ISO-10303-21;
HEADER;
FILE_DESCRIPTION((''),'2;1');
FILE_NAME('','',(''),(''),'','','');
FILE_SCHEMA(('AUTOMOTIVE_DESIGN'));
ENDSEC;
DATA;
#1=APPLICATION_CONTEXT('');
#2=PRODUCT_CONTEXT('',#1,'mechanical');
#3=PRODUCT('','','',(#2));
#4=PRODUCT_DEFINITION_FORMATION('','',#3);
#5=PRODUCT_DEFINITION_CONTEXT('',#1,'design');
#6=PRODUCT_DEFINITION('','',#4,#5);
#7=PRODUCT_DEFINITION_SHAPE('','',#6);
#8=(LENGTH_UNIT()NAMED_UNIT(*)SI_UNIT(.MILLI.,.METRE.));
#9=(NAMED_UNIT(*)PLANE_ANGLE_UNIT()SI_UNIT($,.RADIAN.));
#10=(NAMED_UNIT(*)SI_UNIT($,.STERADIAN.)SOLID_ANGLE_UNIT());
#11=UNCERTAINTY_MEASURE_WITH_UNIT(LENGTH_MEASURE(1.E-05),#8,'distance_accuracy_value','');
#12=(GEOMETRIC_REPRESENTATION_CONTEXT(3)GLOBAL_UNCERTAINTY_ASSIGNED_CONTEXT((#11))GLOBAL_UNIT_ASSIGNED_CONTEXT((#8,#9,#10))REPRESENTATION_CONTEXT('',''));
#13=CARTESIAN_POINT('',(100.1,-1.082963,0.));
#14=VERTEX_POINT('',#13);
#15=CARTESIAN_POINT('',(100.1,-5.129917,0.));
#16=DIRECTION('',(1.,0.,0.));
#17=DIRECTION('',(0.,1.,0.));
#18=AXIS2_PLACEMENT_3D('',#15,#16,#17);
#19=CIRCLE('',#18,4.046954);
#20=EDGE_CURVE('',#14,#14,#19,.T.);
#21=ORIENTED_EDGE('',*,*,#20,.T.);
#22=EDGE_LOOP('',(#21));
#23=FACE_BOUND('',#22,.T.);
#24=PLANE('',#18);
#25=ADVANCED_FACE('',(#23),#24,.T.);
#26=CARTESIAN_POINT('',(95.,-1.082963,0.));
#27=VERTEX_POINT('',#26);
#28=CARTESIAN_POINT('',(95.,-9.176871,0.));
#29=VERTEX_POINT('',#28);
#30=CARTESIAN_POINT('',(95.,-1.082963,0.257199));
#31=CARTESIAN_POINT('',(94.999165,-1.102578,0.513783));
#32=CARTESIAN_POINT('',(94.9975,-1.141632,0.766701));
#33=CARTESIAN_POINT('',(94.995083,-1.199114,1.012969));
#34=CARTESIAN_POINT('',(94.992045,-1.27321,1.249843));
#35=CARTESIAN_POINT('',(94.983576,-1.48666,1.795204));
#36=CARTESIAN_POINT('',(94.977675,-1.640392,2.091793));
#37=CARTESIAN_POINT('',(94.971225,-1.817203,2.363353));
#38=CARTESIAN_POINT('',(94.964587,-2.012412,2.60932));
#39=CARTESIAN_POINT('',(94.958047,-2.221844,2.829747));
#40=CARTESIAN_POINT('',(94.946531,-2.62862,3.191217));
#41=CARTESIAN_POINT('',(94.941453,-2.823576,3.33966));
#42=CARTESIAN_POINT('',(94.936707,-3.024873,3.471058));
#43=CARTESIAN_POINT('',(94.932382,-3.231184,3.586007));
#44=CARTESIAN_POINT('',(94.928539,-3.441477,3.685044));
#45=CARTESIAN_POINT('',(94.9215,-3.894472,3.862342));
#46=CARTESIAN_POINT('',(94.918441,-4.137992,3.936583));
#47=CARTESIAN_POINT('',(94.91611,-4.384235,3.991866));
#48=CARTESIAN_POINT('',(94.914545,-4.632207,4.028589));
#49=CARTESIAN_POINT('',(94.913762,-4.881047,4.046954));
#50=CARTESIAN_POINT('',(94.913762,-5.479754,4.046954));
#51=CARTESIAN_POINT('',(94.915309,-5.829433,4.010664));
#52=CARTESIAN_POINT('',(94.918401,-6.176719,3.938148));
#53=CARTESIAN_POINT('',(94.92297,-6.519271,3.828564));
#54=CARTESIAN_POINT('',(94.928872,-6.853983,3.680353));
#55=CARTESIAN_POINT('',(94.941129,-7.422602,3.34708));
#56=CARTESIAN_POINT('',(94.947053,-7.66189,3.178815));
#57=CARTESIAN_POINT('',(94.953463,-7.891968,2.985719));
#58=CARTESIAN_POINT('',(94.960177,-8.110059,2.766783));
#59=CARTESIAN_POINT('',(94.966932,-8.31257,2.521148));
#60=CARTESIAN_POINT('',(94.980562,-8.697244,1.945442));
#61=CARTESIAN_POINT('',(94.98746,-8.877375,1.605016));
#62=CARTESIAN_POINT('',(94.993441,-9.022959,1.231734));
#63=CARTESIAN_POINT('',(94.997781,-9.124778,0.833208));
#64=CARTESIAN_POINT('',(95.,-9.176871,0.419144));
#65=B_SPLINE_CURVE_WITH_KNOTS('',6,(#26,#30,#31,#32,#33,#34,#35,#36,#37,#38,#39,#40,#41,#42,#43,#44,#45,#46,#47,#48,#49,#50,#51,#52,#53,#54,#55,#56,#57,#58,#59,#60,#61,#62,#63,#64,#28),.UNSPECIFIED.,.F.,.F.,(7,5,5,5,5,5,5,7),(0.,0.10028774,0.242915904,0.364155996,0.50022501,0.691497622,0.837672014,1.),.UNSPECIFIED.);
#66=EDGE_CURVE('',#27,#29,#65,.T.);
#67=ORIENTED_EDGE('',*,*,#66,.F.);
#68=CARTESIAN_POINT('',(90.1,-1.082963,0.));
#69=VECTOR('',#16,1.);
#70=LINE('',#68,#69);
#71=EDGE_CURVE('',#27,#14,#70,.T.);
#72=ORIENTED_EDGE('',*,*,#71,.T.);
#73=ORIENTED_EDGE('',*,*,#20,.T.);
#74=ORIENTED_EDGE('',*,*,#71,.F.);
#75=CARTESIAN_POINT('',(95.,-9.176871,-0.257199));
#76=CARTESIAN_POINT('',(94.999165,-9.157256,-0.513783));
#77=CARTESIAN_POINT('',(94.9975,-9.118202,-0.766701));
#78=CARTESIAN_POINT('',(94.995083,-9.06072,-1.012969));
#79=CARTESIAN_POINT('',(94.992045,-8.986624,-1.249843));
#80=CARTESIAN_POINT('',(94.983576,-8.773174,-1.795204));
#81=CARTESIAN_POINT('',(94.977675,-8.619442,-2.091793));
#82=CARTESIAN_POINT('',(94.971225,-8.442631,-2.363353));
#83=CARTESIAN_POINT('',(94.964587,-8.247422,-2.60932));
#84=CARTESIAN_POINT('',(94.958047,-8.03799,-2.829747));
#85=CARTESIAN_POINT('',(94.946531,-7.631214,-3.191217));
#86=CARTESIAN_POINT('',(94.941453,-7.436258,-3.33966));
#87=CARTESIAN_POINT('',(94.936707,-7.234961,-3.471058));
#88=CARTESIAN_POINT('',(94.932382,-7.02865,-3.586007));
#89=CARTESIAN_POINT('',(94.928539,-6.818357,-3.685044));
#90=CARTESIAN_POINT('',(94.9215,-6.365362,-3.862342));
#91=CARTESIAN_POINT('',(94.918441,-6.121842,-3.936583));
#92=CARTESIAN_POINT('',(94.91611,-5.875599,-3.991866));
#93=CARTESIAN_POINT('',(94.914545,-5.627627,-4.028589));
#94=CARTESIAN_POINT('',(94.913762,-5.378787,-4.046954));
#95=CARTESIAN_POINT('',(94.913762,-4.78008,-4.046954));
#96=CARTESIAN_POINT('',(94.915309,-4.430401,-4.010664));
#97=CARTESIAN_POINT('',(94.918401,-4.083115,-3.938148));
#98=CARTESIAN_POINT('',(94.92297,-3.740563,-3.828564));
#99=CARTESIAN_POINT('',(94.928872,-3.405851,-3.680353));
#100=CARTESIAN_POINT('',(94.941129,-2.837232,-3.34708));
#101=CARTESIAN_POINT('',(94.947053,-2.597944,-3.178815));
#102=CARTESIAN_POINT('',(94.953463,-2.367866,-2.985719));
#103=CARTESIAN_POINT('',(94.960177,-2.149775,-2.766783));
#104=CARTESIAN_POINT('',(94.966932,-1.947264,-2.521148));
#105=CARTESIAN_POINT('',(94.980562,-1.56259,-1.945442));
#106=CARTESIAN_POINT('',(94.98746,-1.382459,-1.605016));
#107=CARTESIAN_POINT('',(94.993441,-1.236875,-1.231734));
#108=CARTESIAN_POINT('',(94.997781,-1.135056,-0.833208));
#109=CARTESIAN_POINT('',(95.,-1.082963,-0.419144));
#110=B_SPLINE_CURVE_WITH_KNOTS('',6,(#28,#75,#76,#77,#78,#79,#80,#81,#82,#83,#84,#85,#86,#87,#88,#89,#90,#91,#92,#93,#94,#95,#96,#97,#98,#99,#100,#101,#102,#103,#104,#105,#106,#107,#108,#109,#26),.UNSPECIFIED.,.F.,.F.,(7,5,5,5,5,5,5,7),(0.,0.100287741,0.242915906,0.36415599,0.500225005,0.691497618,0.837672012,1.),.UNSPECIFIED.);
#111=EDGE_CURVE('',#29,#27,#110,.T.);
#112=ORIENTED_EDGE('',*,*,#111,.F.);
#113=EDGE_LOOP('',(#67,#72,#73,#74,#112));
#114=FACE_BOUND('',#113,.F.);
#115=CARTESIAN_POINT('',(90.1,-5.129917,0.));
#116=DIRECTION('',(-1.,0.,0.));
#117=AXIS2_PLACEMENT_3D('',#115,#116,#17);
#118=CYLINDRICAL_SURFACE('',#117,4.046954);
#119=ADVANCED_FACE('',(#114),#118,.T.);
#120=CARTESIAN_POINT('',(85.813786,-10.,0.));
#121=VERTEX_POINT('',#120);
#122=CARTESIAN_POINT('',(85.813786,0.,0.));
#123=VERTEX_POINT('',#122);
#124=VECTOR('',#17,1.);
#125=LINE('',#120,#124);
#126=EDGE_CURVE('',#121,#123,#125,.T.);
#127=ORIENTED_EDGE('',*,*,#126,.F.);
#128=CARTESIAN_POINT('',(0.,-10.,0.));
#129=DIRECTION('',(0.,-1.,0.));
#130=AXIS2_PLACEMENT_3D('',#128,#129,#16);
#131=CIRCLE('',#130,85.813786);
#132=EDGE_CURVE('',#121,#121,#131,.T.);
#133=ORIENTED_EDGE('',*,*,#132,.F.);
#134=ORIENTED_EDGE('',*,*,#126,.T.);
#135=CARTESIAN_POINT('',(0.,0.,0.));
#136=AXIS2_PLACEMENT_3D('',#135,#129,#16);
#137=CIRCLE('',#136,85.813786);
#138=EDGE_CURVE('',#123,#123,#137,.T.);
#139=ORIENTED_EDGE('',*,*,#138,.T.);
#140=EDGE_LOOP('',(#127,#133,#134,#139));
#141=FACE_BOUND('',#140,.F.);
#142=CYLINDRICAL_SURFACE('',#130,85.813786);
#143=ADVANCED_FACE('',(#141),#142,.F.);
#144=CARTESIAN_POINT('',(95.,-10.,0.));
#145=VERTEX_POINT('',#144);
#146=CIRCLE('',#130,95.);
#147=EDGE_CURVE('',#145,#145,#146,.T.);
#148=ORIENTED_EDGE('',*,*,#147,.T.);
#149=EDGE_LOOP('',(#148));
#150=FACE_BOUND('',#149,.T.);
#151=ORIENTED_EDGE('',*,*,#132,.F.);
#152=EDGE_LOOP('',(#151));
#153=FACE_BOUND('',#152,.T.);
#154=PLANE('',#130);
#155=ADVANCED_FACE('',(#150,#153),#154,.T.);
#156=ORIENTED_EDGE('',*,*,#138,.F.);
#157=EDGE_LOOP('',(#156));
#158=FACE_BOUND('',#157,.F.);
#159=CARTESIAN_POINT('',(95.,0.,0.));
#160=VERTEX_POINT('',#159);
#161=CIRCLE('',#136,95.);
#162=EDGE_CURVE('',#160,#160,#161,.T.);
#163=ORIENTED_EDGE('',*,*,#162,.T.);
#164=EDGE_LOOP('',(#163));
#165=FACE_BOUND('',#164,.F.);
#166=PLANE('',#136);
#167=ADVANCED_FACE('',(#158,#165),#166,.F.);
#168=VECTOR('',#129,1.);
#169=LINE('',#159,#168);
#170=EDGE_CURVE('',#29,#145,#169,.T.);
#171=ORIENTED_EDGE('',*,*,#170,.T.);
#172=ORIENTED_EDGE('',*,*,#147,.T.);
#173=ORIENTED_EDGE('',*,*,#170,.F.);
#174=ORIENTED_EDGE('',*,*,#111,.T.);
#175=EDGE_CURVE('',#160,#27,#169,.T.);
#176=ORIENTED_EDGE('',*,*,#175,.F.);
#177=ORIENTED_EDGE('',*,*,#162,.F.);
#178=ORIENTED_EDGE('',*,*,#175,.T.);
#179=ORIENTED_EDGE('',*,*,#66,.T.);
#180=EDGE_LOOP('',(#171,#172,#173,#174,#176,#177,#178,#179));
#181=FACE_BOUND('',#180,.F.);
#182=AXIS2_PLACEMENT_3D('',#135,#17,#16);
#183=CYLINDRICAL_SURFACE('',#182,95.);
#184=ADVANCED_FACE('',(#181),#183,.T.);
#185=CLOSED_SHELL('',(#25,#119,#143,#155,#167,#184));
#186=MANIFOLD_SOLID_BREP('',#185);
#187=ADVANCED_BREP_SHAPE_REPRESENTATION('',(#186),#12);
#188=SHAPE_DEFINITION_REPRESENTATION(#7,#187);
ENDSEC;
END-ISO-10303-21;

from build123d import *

# Parameters (mm, degrees)
F0_R     = 95
F1_DEPTH = 10
F2_R     = 85.813786
F3_DEPTH = 25
F5_R     = 4.046954
F6_DEPTH = 10


with BuildPart() as f1:
    # F0 (on Front) → F1 (new body)
    with BuildSketch(Plane.XZ):
        Circle(F0_R)
    extrude(amount=F1_DEPTH)

    # F2 (on face) → F3 (cut)
    with BuildSketch(Plane.XZ.offset(10)):
        Circle(F2_R)
    extrude(amount=-F3_DEPTH, mode=Mode.SUBTRACT)

    # F5 (on offset) → F6 (join)
    with BuildSketch(Plane.YZ.offset(90.1)):
        with Locations((-5.129917, 0)):
            Circle(F5_R)
    extrude(amount=F6_DEPTH)


solid = f1.part
